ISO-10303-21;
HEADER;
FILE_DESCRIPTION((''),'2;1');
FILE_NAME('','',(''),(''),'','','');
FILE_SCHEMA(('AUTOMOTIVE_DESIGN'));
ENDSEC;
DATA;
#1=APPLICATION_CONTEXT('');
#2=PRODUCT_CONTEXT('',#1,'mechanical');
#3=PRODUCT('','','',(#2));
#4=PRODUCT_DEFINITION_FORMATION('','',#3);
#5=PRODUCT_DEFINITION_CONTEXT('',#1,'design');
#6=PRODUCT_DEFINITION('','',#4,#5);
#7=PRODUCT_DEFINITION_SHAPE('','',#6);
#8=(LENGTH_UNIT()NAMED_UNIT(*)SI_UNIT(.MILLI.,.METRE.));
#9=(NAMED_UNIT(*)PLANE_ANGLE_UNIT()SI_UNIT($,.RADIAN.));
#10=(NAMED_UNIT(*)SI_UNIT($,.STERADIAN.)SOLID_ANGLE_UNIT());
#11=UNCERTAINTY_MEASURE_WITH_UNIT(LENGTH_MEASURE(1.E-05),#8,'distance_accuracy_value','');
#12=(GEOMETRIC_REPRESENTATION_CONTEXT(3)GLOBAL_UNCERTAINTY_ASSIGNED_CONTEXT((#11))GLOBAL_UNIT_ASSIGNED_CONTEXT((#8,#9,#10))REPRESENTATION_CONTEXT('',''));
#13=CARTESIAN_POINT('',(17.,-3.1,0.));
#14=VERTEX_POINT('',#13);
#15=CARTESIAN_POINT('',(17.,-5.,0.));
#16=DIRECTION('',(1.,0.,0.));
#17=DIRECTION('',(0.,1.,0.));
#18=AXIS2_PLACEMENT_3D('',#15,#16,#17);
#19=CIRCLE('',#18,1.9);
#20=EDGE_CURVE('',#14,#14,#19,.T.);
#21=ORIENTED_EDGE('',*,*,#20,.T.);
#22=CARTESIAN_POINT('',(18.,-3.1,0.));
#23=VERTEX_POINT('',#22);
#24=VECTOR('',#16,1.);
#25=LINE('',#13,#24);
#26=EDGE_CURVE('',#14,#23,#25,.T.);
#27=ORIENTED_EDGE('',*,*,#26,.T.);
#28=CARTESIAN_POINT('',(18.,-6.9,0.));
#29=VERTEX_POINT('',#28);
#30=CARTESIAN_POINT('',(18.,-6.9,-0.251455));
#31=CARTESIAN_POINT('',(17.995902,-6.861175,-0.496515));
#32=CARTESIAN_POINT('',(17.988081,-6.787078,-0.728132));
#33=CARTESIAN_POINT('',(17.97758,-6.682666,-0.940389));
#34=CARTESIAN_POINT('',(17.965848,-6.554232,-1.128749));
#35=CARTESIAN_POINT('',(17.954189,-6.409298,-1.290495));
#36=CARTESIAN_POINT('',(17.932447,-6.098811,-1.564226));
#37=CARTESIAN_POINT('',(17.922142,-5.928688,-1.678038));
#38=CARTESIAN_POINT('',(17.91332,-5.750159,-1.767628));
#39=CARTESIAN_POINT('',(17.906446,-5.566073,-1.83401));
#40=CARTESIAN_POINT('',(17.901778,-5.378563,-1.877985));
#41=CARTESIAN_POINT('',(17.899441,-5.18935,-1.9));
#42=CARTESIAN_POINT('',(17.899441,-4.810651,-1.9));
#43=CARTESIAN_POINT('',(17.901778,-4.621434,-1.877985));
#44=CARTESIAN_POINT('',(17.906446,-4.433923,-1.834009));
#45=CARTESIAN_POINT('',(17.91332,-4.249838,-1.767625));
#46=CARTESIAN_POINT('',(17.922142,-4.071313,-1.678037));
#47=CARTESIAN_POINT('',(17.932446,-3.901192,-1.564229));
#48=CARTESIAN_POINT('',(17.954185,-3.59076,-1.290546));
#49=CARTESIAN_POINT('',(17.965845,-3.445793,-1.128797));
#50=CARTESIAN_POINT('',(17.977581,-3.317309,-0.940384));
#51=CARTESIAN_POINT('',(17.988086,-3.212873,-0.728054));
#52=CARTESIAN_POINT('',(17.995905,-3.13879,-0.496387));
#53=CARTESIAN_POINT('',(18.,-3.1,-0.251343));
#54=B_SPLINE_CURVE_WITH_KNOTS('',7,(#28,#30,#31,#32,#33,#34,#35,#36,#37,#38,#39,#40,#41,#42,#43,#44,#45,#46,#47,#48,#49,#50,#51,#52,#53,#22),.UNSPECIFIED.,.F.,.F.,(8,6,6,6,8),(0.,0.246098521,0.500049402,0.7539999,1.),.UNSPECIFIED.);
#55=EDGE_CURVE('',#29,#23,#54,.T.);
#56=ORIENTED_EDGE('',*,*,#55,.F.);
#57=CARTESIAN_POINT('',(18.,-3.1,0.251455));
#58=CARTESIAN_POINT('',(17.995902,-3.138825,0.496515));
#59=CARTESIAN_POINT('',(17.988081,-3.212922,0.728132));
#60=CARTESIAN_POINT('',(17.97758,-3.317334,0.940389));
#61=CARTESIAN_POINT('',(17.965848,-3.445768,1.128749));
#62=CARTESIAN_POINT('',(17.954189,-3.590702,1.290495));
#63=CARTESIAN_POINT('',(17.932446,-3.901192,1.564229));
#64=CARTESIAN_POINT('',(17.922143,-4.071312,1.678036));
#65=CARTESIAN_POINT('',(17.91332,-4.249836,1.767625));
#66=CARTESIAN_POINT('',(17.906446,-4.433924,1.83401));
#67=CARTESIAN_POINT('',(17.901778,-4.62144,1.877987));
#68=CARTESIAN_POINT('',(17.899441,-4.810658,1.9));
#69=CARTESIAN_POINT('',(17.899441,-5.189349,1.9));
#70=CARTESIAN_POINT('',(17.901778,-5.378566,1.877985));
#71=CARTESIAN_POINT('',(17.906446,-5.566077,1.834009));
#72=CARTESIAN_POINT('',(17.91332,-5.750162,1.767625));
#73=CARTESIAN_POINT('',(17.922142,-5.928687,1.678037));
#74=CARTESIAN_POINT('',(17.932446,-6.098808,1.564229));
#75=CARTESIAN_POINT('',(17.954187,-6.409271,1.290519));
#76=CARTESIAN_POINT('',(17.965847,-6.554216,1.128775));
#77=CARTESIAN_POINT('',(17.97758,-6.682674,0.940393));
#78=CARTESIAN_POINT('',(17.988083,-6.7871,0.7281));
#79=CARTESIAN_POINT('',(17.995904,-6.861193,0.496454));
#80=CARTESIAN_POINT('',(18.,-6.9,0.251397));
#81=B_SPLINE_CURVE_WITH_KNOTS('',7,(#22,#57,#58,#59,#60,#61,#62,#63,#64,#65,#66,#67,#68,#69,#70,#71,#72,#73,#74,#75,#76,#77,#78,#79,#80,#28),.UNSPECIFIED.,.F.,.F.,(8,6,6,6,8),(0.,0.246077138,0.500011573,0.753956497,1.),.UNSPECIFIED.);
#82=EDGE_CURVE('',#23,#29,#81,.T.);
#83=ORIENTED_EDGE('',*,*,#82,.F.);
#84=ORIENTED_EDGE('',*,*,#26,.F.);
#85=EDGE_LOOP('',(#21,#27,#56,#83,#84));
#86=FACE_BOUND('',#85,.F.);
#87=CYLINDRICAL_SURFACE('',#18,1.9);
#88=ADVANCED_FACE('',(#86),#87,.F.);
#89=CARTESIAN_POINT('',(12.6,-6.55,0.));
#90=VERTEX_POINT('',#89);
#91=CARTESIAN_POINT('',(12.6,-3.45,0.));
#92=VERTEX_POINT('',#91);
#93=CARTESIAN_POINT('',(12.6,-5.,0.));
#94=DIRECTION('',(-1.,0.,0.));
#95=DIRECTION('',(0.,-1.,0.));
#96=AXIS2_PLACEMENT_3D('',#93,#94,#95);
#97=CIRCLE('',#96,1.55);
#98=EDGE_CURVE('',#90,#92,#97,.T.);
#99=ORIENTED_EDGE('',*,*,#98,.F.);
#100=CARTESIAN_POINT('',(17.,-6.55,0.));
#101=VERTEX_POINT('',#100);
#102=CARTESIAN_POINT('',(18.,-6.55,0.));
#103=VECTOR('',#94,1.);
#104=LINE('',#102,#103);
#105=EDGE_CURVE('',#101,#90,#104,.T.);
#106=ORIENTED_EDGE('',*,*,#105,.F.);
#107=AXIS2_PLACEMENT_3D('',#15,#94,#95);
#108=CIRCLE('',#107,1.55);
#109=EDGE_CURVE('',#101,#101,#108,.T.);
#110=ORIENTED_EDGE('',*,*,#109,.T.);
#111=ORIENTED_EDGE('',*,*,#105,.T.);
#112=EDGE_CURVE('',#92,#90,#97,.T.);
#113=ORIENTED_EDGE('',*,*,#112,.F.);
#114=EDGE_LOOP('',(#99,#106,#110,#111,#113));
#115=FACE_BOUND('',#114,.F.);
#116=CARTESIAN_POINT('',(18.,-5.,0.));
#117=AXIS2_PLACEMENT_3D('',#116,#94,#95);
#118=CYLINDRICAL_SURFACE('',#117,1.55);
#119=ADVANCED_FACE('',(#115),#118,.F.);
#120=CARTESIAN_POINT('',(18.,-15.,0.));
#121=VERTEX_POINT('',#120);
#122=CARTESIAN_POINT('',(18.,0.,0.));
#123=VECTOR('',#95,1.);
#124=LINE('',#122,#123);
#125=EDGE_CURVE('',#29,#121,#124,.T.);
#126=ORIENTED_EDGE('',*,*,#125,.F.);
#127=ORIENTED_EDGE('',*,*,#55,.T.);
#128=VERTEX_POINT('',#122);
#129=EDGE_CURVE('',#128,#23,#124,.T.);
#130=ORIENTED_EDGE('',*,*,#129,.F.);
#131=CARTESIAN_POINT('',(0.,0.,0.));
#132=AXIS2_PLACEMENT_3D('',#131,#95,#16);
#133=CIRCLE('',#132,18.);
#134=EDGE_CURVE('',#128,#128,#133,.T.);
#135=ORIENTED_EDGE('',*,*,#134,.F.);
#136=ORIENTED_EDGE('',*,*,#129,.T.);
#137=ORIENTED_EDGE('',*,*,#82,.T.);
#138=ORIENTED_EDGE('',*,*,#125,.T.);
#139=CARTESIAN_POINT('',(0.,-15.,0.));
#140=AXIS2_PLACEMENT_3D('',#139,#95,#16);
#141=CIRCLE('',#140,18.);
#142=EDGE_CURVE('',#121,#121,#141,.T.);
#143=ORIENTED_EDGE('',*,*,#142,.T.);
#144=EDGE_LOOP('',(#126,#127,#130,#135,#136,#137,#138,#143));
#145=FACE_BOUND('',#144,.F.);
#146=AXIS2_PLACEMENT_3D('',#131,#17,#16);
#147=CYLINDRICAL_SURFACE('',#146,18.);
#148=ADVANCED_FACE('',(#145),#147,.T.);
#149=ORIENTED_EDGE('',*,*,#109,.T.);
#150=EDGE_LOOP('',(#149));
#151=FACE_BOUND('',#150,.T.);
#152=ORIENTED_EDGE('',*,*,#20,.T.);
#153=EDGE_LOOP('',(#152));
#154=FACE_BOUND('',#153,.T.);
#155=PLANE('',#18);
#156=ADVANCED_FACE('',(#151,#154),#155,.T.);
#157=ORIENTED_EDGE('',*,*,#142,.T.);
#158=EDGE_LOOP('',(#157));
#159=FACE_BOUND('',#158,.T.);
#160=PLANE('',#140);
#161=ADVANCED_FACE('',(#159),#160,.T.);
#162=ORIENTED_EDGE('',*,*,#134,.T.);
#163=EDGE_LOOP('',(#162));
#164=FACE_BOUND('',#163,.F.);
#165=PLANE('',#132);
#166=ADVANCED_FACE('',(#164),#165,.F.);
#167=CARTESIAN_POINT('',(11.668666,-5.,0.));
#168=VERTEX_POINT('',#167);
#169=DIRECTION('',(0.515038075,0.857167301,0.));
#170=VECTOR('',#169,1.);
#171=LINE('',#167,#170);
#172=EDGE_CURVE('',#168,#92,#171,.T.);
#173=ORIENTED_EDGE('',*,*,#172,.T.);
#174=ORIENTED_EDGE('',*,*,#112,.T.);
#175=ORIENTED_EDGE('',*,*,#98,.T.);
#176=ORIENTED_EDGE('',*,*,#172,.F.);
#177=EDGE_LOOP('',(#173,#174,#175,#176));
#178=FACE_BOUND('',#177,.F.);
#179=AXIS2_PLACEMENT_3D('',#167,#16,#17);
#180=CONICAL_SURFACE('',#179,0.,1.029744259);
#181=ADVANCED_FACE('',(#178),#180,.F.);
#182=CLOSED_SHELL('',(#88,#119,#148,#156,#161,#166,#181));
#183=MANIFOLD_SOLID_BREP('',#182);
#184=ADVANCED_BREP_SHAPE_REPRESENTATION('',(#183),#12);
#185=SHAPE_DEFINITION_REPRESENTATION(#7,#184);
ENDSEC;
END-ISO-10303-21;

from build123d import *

# Parameters (mm, degrees)
F0_R           = 18
F1_DEPTH       = 15
F4_D           = 3.1
F4_DEPTH       = 5.4
F4_CBORE_D     = 3.8
F4_CBORE_DEPTH = 1
F4_TIP         = 0.9313339595


with BuildPart() as f1:
    # F0 (on Front) → F1 (new body)
    with BuildSketch(Plane.XZ):
        Circle(F0_R)
    extrude(amount=F1_DEPTH)

    # F4
    with Locations(Plane.YZ.offset(18)):
        with Locations((-5, 0)):
            CounterBoreHole(F4_D / 2, F4_CBORE_D / 2, F4_CBORE_DEPTH, depth=F4_DEPTH)
            with Locations((0, 0, -(F4_DEPTH + F4_TIP / 2))):  # 118° drill point
                Cone(0, F4_D / 2, F4_TIP, mode=Mode.SUBTRACT)


solid = f1.part
